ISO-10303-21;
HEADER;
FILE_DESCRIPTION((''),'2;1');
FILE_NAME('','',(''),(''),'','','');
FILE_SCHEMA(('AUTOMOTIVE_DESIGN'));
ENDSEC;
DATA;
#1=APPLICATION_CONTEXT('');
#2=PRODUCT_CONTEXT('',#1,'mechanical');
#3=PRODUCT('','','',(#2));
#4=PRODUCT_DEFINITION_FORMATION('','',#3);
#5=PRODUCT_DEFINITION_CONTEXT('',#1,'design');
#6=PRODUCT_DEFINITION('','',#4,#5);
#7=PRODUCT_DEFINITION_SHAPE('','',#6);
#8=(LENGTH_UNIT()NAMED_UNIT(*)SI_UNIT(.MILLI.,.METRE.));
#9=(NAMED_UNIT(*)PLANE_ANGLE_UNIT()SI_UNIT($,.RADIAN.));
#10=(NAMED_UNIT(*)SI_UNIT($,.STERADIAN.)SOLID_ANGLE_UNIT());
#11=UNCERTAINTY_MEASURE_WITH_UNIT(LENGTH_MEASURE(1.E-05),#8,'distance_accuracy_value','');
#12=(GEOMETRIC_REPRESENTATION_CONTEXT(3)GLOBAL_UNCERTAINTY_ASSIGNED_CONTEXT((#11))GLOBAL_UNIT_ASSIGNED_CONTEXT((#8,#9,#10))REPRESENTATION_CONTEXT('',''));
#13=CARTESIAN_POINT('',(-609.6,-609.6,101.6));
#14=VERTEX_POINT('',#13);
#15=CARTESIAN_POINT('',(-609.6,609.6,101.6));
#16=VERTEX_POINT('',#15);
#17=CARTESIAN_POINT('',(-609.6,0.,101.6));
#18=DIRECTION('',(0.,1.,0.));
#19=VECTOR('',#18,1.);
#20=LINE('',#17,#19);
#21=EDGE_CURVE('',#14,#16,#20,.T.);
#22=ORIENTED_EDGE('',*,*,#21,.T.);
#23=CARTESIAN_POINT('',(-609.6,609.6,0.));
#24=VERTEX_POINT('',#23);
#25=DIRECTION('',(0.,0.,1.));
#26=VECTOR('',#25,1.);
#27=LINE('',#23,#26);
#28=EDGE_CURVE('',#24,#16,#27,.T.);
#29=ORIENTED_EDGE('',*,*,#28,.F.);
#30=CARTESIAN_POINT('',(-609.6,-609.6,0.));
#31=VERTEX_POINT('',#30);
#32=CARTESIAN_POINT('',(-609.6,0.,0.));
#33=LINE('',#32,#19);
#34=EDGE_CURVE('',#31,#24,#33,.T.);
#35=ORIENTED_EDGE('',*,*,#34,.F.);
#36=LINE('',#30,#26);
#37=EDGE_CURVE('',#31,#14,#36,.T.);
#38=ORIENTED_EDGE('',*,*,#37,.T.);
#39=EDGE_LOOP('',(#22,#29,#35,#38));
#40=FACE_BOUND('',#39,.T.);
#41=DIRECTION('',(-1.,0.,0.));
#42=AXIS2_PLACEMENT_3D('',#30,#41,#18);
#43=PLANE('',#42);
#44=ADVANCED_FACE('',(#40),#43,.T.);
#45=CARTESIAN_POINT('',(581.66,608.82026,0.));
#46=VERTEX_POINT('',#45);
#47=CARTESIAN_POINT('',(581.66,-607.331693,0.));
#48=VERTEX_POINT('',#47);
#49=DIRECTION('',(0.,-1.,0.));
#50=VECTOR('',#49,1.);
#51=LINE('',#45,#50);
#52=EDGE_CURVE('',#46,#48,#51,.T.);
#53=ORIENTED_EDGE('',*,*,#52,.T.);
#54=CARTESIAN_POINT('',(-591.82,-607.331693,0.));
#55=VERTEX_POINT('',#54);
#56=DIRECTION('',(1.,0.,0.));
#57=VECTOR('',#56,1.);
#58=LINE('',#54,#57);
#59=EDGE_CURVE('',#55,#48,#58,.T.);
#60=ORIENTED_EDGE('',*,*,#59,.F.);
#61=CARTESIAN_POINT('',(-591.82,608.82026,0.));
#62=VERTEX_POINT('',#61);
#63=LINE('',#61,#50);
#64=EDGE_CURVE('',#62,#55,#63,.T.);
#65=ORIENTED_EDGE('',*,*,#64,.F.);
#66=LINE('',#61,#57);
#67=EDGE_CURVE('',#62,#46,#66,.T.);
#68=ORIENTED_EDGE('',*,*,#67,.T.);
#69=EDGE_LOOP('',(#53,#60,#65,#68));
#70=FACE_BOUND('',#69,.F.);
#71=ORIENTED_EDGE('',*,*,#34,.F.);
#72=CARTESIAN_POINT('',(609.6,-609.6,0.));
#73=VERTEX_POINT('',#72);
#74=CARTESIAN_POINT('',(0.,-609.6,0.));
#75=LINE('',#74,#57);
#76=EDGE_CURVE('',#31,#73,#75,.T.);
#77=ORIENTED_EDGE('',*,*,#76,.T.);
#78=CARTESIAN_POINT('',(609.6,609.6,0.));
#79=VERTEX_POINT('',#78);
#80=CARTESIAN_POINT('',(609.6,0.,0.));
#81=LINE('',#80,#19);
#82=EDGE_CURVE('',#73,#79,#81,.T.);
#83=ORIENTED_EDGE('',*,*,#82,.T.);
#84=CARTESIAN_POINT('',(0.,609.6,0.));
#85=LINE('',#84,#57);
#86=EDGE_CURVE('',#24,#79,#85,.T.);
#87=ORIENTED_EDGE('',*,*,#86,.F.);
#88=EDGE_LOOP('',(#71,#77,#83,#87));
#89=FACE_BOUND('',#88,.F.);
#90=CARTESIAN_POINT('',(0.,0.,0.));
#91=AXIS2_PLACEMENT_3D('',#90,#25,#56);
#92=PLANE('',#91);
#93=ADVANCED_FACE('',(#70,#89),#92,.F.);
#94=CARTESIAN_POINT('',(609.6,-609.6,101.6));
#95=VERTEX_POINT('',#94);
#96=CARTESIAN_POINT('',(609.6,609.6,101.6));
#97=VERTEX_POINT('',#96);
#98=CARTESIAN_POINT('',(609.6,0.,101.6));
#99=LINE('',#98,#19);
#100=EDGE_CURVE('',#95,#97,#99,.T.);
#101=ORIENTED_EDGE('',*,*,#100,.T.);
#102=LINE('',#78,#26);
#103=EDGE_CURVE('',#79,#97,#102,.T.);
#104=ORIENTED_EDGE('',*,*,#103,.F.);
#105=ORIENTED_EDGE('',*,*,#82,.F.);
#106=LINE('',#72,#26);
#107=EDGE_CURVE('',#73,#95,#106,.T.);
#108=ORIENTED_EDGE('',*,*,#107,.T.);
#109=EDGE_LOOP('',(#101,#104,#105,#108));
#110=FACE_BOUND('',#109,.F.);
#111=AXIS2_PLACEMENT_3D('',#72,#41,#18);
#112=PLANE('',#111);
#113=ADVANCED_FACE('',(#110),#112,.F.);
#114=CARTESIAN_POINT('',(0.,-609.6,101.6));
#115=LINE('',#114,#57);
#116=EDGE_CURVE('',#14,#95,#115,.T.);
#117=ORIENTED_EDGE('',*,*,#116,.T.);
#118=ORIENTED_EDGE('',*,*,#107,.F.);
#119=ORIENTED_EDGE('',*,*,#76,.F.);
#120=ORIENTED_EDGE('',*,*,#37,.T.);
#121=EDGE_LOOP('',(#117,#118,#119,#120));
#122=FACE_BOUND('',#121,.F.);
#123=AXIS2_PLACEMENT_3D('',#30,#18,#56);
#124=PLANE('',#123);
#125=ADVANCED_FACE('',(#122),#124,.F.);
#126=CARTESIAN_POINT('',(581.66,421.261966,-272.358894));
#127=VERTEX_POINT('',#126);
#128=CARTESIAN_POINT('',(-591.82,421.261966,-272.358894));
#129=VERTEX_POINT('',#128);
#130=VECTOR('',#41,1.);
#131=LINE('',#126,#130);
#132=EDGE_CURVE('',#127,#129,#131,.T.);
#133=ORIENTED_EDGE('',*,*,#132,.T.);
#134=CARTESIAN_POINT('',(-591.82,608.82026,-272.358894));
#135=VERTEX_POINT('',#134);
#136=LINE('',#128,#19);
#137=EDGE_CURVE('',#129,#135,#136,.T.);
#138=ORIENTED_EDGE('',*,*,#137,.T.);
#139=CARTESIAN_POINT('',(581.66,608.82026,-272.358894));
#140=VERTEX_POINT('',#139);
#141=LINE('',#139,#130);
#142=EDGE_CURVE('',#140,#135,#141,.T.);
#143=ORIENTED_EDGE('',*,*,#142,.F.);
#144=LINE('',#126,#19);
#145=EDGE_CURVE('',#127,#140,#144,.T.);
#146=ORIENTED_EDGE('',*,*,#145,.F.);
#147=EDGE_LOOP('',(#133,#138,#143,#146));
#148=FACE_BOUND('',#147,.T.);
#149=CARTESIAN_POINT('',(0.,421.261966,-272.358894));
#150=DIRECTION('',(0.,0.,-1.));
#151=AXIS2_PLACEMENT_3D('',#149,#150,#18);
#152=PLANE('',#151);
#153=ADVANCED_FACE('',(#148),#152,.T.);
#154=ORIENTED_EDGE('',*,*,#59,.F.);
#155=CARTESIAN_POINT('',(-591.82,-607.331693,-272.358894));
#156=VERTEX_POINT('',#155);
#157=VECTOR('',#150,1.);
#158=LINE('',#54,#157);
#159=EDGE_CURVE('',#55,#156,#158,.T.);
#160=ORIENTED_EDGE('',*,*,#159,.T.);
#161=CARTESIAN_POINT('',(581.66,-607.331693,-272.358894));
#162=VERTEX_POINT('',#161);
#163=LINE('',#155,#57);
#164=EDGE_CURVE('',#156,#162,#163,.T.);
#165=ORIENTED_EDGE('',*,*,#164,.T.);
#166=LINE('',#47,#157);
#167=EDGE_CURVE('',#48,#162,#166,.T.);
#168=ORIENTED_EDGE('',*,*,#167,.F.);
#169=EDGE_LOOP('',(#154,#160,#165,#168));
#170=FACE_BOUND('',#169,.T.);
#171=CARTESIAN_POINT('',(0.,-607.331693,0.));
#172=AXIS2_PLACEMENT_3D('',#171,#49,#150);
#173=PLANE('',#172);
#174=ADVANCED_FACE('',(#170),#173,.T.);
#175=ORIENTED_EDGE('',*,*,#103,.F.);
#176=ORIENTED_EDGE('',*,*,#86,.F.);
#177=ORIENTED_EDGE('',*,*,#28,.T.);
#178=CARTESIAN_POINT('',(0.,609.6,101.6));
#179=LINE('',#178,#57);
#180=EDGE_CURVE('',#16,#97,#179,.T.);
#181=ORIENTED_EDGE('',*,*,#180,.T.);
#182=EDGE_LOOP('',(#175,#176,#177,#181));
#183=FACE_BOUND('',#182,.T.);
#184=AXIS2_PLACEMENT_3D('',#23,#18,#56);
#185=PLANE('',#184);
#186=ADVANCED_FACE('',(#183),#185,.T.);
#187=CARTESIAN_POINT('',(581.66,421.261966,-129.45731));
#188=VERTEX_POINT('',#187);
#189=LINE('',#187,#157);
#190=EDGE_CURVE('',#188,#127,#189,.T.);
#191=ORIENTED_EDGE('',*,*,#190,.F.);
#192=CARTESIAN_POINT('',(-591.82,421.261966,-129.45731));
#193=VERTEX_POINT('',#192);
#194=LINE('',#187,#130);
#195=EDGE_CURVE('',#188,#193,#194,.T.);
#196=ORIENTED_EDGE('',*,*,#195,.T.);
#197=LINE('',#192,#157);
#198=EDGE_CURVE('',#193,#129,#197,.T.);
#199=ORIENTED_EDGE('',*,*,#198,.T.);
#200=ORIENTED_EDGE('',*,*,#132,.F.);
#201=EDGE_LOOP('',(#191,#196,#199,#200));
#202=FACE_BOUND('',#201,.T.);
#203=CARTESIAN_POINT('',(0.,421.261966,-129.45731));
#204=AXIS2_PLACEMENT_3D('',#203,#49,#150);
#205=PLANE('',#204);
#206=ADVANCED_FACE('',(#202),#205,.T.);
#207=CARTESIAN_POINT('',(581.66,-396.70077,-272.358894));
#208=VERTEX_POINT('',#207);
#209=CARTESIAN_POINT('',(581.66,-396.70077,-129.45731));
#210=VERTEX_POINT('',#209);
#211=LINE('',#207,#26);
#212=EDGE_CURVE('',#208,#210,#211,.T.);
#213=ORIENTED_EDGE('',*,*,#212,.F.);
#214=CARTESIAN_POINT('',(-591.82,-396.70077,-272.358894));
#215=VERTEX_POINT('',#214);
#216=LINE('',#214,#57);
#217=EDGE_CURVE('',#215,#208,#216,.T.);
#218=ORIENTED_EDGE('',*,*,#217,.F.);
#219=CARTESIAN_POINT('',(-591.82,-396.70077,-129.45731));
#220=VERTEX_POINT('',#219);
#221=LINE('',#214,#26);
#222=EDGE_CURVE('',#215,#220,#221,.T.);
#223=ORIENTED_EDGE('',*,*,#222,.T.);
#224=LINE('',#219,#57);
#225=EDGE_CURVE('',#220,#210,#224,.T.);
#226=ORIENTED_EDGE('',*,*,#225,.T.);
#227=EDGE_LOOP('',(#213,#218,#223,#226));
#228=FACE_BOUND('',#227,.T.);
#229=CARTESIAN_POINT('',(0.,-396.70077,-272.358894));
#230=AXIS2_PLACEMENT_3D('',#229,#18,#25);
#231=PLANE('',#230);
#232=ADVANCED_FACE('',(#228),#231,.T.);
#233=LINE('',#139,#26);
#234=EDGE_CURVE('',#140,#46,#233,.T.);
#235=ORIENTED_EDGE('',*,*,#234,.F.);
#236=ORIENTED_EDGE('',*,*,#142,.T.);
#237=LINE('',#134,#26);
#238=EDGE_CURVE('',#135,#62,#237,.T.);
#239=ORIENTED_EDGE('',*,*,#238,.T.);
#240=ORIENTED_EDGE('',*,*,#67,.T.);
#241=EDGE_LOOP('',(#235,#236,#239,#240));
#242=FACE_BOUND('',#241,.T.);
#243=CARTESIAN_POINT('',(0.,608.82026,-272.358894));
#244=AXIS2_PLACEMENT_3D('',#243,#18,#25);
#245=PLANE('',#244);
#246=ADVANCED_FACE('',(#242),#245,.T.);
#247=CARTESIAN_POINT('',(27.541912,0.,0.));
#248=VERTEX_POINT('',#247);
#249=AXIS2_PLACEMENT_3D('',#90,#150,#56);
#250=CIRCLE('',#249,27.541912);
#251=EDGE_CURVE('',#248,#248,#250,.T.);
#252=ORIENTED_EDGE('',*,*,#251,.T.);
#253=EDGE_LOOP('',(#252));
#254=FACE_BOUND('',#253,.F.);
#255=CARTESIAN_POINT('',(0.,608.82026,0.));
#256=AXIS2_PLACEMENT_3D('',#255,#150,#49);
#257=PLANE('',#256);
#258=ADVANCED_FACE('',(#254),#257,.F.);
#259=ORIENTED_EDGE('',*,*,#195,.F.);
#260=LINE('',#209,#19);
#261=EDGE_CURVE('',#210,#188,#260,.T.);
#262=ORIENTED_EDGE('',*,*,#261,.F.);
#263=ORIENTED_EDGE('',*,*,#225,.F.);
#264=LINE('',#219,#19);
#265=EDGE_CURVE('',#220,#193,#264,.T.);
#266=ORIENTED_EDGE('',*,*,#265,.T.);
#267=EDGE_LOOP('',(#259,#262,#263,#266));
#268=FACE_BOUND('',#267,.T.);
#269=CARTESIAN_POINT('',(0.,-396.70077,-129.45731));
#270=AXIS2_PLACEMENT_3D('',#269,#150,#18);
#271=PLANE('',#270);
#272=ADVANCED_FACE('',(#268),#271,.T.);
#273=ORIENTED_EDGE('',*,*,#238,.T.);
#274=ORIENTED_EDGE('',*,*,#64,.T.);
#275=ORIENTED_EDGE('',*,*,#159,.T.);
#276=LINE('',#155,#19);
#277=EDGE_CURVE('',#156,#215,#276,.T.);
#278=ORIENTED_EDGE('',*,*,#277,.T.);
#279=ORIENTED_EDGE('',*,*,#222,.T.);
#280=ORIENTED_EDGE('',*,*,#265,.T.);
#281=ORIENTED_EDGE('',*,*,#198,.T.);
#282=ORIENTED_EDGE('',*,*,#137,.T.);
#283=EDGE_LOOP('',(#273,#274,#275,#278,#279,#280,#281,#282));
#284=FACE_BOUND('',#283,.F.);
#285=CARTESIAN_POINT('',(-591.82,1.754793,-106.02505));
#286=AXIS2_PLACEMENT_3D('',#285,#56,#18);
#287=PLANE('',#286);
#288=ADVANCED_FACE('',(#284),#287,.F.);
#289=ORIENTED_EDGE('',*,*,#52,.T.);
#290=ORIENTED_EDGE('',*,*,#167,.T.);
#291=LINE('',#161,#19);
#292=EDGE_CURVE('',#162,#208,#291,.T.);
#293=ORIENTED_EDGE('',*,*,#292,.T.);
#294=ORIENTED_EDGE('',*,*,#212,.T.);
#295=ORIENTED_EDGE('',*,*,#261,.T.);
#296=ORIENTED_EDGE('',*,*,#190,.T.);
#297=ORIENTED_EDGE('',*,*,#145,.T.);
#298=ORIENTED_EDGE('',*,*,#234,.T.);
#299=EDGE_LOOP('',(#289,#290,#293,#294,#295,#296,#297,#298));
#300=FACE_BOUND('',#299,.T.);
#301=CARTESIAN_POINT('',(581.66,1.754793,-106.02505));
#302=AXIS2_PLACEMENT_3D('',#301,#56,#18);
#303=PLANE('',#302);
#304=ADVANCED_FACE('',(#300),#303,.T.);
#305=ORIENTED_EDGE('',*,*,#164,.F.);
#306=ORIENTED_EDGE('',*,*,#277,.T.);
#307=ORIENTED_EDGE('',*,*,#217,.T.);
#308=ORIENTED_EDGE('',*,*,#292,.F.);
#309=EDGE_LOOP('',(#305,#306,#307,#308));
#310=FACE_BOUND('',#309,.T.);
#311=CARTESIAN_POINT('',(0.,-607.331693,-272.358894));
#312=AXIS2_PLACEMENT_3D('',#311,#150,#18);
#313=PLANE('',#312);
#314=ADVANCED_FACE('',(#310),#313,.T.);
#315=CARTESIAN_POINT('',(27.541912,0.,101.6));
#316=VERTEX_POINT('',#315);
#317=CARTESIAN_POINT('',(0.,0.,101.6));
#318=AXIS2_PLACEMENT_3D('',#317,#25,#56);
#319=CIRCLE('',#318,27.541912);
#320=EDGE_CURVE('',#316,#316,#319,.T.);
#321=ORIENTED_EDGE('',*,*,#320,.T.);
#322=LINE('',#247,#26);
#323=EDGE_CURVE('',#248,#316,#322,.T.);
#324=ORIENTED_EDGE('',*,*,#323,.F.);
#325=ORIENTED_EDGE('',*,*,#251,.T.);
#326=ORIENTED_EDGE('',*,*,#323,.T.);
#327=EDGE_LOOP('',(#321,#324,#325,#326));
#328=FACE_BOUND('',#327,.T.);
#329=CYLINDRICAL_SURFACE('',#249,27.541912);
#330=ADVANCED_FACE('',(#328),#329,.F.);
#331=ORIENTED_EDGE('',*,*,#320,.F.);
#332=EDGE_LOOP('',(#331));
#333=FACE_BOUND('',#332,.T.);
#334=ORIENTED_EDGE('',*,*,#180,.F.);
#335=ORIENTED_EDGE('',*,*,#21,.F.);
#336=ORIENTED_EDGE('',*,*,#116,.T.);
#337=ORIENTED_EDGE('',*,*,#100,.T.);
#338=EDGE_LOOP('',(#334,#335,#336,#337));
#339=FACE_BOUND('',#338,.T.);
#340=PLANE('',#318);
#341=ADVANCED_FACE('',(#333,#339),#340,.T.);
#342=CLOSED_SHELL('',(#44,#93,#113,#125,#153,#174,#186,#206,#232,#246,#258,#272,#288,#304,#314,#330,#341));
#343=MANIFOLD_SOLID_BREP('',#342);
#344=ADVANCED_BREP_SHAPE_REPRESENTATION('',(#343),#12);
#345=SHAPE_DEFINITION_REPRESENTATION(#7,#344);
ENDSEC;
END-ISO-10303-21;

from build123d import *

# Parameters (mm, degrees)
F0_W          = 1219.2
F0_H          = 1219.2
F0_R          = 27.541912
F1_DEPTH      = 101.6
F3_DEPTH      = 581.66
F3_DEPTH_BACK = 591.82


with BuildPart() as f1:
    # F0 (on Top) → F1 (new body)
    with BuildSketch(Plane.XY):
        Rectangle(F0_W, F0_H)
        Circle(F0_R, mode=Mode.SUBTRACT)
    extrude(amount=F1_DEPTH)

    # F2 (on Right) → F3 (join, two sides)
    with BuildSketch(Plane.YZ) as f3_sk:
        Polygon((608.82026, -272.358894), (608.82026, 0), (-607.331693, 0), (-607.331693, -272.358894), (-396.70077, -272.358894), (-396.70077, -129.45731), (421.261966, -129.45731), (421.261966, -272.358894), align=None)
    extrude(amount=F3_DEPTH)
    extrude(f3_sk.sketch, amount=-F3_DEPTH_BACK)


solid = f1.part
